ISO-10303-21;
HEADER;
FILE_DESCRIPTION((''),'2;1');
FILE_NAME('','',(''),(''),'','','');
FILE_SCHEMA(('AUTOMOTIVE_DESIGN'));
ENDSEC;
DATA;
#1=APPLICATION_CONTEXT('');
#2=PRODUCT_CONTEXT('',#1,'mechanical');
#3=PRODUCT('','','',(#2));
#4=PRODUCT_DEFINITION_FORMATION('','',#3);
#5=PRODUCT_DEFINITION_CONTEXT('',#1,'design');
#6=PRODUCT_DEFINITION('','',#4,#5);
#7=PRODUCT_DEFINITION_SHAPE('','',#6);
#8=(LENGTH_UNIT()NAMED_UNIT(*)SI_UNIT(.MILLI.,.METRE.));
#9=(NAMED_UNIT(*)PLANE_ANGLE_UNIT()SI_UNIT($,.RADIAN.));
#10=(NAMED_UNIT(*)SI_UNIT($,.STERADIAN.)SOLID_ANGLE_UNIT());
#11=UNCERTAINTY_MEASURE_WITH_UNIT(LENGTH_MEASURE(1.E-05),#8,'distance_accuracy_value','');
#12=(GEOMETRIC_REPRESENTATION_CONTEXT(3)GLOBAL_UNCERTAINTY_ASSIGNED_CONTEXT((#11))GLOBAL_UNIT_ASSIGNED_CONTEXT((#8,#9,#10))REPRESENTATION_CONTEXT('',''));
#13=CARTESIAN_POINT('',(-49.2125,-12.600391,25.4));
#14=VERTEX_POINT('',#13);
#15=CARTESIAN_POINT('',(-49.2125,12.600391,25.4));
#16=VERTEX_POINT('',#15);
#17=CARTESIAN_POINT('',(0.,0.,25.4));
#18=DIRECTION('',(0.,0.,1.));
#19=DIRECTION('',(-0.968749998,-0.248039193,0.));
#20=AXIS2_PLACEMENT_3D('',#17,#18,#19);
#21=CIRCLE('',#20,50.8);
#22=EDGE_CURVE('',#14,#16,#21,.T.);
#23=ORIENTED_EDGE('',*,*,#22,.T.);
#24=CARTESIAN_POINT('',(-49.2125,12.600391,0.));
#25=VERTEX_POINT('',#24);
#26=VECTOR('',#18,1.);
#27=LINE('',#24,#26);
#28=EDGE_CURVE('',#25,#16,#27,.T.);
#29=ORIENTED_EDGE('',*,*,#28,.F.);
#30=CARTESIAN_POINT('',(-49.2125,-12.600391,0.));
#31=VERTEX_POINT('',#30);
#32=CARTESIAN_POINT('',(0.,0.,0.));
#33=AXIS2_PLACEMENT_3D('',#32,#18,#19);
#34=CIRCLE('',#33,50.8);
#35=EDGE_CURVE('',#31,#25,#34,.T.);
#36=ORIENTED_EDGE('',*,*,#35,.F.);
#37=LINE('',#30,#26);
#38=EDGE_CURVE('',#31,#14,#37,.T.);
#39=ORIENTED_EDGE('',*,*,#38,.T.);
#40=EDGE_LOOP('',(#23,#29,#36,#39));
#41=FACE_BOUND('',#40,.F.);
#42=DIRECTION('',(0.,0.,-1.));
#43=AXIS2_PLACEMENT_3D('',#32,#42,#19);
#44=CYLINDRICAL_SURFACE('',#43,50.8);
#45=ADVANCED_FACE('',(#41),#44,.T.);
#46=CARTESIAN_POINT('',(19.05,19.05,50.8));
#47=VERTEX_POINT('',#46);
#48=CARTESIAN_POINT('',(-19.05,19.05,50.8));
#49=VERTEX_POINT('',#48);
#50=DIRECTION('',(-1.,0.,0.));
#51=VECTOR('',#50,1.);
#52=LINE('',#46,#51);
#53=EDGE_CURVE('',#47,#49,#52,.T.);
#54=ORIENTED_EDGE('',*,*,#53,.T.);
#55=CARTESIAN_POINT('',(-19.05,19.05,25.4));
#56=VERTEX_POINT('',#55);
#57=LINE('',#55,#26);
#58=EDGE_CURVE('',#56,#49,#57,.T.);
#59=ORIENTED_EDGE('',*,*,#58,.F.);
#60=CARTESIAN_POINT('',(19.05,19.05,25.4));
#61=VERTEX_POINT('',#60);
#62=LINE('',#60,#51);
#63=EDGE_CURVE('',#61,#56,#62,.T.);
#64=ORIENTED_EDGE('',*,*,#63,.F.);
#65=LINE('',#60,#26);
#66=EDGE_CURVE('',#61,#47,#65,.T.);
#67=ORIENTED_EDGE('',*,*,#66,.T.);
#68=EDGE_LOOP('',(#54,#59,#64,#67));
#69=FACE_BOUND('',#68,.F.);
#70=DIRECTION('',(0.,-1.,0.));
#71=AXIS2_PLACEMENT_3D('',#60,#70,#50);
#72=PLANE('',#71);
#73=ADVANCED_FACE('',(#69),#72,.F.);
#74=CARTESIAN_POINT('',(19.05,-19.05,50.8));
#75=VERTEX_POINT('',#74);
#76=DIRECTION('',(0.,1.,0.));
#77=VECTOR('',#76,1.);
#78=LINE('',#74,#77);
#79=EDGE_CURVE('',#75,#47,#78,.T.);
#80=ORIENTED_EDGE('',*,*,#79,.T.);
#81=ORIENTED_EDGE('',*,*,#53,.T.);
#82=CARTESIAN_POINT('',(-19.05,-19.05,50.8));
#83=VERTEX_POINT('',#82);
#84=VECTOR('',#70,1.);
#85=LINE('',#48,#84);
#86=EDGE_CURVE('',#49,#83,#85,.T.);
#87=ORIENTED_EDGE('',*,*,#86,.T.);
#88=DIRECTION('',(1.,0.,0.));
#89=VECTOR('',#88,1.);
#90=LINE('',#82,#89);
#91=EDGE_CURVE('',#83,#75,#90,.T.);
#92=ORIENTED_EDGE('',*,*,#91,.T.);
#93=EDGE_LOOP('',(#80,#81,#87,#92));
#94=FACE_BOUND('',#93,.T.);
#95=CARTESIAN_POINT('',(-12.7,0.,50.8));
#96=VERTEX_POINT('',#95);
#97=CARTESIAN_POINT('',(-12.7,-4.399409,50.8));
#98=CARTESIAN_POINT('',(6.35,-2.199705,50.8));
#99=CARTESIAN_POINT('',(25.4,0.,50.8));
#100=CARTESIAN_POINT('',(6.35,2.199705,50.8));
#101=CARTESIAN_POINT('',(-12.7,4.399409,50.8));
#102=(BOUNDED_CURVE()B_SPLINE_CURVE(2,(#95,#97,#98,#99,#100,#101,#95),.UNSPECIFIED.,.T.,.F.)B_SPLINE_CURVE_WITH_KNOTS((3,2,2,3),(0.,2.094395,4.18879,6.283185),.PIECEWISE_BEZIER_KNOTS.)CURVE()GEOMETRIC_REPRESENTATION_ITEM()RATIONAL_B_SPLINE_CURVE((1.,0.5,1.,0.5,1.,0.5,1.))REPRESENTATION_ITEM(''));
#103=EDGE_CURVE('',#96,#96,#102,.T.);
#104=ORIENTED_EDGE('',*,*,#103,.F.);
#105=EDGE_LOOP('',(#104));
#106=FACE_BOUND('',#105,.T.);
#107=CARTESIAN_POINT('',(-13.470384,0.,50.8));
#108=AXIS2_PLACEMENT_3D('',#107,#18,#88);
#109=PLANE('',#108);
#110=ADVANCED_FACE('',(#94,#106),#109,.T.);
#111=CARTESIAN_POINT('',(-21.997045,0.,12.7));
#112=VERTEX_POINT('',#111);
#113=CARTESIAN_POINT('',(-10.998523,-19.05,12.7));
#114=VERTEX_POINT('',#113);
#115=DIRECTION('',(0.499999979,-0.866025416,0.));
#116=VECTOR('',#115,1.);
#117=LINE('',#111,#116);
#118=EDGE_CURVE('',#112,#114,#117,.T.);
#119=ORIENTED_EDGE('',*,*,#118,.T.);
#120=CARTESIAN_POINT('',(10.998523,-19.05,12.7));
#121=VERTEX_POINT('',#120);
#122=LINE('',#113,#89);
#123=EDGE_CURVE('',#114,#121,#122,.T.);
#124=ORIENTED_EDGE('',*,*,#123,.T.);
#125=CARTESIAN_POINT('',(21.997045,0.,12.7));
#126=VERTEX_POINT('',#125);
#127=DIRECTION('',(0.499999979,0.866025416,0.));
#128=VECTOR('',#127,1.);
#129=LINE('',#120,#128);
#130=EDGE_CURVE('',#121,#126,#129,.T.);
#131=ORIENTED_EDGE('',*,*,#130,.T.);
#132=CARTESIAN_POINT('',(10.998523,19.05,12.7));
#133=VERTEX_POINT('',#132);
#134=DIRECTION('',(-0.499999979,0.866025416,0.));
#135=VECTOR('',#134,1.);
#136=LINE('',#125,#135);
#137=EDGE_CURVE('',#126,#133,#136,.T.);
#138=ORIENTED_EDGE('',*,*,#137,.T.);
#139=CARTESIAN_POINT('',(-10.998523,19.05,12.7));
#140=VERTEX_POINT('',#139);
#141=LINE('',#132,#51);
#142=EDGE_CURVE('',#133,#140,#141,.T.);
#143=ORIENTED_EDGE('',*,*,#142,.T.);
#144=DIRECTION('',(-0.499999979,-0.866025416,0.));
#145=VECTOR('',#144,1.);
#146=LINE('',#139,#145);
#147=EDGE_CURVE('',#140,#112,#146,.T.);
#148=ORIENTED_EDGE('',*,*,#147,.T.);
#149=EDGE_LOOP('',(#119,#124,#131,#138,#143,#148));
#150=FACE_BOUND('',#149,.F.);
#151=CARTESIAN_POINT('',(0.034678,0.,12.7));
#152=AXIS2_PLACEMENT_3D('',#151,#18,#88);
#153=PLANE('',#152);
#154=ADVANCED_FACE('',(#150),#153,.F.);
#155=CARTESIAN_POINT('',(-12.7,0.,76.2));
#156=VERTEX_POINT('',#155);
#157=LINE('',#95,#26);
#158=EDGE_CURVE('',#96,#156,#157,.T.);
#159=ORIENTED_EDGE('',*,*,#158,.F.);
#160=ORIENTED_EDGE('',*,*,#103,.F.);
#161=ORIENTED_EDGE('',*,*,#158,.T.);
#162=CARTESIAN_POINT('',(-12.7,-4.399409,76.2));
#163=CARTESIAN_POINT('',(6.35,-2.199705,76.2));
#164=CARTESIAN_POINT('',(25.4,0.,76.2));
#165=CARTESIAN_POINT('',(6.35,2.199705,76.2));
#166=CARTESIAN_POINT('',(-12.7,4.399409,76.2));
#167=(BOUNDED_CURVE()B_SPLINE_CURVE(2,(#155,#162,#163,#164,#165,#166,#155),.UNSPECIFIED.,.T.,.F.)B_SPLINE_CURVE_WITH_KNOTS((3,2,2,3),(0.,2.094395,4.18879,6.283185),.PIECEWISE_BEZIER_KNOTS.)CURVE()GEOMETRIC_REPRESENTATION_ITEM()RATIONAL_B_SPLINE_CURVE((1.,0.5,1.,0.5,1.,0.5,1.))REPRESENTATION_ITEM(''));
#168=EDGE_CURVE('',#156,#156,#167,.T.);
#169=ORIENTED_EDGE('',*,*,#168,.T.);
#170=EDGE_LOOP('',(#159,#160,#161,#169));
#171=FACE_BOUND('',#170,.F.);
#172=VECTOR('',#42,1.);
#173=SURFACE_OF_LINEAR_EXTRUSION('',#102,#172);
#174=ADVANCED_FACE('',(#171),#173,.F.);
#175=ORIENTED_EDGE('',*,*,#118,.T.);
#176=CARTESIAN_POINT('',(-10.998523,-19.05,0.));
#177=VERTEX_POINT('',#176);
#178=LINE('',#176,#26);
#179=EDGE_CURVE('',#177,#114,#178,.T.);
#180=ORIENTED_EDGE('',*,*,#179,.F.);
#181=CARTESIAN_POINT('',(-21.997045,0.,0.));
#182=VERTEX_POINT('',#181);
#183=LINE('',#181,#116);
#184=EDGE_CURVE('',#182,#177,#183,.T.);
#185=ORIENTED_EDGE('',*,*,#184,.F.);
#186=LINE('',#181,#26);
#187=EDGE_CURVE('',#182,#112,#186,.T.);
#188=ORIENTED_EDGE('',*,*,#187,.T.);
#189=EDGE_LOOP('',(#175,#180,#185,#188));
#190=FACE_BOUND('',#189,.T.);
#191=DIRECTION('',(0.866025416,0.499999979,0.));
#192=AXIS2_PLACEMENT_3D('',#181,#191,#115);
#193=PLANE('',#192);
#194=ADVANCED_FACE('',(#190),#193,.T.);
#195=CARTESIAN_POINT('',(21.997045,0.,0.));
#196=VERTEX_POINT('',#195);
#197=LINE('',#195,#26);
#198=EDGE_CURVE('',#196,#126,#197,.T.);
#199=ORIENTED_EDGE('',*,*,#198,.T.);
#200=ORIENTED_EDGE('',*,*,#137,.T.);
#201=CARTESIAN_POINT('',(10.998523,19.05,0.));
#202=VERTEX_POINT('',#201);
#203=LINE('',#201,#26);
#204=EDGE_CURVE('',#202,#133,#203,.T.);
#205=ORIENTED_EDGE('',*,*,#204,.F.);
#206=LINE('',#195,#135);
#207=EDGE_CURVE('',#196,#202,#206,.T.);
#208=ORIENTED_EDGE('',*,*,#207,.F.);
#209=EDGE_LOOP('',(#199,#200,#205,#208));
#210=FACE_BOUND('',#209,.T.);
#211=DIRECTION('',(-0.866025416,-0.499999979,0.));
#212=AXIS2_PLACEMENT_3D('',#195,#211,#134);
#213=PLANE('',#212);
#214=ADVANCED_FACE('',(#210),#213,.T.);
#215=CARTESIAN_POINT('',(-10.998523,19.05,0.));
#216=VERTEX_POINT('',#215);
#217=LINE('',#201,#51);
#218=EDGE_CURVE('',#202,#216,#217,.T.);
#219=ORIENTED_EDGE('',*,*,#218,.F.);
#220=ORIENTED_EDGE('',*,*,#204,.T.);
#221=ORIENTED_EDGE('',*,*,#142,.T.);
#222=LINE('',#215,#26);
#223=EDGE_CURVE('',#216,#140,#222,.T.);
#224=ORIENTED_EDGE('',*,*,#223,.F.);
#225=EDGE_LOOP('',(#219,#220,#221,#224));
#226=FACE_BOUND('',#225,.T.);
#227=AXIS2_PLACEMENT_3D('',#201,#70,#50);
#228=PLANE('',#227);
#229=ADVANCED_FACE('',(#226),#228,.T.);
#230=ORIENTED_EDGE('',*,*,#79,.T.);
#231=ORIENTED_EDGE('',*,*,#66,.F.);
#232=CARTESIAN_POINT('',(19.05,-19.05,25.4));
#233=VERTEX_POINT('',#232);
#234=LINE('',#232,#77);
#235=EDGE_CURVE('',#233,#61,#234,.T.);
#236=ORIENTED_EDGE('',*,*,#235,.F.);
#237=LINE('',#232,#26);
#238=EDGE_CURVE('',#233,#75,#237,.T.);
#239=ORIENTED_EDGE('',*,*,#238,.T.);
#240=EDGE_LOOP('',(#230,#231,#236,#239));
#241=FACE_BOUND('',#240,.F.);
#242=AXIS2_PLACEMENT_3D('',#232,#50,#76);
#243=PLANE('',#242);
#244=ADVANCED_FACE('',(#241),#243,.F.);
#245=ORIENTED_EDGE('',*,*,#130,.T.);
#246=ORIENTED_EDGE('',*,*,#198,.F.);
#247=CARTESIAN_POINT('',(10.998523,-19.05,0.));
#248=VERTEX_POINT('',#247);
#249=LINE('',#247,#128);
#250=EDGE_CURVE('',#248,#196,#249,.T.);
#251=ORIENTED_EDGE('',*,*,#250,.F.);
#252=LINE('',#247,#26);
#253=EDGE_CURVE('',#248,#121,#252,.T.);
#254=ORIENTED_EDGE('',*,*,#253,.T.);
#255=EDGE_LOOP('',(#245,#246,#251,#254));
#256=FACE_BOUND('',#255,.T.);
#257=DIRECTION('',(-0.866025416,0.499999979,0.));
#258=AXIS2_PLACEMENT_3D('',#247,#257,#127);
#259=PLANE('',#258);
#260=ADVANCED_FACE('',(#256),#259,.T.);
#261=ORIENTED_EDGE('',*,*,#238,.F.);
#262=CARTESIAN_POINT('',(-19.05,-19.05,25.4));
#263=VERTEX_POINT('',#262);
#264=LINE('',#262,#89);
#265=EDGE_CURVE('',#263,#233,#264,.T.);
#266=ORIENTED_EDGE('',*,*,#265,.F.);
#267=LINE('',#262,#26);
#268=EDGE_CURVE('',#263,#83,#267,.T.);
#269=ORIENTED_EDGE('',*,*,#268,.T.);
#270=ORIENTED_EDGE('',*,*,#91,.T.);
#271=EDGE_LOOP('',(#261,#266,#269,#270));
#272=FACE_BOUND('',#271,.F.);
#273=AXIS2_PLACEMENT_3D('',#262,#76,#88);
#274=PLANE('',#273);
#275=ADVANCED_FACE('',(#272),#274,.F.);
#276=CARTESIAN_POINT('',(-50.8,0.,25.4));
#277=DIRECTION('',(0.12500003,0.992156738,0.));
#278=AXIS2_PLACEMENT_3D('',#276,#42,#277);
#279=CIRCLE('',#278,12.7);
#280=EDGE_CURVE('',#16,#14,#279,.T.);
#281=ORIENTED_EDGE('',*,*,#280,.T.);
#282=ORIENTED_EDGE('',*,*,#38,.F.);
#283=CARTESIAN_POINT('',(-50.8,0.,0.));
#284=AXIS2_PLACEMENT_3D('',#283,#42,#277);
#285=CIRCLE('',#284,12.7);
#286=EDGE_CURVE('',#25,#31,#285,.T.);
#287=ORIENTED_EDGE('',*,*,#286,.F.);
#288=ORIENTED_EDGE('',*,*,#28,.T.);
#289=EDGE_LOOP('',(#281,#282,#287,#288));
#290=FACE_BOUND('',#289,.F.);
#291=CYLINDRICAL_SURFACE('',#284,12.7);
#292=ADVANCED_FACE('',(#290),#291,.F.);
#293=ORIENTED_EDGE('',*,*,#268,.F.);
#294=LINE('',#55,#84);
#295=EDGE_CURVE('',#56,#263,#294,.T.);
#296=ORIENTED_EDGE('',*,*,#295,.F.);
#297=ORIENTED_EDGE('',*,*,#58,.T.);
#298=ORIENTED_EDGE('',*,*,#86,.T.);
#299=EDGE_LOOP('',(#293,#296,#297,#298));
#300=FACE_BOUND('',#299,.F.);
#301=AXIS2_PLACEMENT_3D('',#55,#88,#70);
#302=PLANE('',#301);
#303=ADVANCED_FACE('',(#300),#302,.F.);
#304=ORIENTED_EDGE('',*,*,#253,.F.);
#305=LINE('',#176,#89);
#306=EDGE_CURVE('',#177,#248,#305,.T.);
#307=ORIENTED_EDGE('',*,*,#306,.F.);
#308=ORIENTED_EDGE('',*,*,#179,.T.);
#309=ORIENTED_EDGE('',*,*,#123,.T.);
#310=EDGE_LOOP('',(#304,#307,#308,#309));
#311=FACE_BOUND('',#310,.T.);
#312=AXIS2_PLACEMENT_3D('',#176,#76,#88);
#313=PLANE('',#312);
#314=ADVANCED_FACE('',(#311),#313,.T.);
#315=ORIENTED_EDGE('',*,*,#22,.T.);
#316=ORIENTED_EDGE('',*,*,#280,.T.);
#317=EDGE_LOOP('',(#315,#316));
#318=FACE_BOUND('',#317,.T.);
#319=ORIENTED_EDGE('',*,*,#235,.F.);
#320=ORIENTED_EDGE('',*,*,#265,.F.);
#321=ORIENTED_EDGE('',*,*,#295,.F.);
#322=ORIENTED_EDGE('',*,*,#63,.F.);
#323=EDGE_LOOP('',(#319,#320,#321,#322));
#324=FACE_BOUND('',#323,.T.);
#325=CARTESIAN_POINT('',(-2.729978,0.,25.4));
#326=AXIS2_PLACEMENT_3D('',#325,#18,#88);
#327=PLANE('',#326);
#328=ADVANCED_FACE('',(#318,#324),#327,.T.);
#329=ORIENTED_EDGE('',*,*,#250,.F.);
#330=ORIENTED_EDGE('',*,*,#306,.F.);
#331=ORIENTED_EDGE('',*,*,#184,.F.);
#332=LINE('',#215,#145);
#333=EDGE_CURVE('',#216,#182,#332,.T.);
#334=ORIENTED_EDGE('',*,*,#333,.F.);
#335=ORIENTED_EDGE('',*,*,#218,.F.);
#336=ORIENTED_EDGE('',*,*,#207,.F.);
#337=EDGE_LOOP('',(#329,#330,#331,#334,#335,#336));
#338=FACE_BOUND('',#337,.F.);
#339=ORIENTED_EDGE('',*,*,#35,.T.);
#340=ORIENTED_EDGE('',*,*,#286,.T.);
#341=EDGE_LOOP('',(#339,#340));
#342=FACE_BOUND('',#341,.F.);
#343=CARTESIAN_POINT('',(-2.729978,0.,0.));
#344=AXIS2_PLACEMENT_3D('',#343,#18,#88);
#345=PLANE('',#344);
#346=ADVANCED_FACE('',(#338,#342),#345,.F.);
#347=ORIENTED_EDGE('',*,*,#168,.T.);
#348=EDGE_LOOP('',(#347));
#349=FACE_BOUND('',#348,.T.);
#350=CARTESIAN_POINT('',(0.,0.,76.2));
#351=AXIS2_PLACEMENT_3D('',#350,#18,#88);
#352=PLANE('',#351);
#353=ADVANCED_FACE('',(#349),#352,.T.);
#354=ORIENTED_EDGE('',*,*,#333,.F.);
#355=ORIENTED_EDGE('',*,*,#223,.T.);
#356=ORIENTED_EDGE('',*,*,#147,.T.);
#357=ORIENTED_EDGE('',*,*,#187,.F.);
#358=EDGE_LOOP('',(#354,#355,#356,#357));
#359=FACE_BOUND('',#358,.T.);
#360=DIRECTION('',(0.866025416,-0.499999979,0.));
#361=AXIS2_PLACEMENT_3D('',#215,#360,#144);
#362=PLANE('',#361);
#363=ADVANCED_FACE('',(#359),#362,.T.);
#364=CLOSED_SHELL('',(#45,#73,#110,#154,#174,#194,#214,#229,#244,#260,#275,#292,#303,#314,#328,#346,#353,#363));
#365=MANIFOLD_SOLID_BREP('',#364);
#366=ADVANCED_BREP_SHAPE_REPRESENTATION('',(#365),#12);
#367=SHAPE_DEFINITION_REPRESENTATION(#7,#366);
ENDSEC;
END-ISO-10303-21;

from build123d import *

# Parameters (mm, degrees)
F1_DEPTH = 25.4
F3_DEPTH = 25.4
F5_DEPTH = 25.4
F7_DEPTH = 12.7


with BuildPart() as f1:
    # F0 (on Top) → F1 (new body)
    with BuildSketch(Plane.XY):
        with BuildLine():
            ThreePointArc((-49.2125, 12.600391), (-38.1, 0), (-49.2125, -12.600391))
            ThreePointArc((-49.2125, -12.600391), (50.8, 0), (-49.2125, 12.600391))
        make_face()
    extrude(amount=F1_DEPTH)

    # F2 (on face) → F3 (join)
    with BuildSketch(Plane.XY.offset(25.4)):
        Polygon((0, 0), (-19.05, 19.05), (-19.05, -19.05), align=None)
        Polygon((19.05, 19.05), (-19.05, 19.05), (0, 0), align=None)
        Polygon((19.05, -19.05), (19.05, 19.05), (0, 0), align=None)
        Polygon((0, 0), (-19.05, -19.05), (19.05, -19.05), align=None)
    extrude(amount=F3_DEPTH)

    # F4 (on face) → F5 (join)
    with BuildSketch(Plane.XY.offset(50.8)):
        with BuildLine():
            add(Edge.make_bspline(
                [(-12.7, 0), (-12.7, -4.399409), (6.35, -2.199705), (25.4, 0), (6.35, 2.199705), (-12.7, 4.399409), (-12.7, 0)],
                knots=[0, 0, 0, 2.094395, 2.094395, 4.18879, 4.18879, 6.283185, 6.283185, 6.283185], degree=2, weights=[1, 0.5, 1, 0.5, 1, 0.5, 1]))
        make_face()
    extrude(amount=F5_DEPTH)

    # F6 (on Top) → F7 (cut)
    with BuildSketch(Plane.XY):
        with BuildLine():
            ThreePointArc((16.497784, -9.525), (18.400887, -4.930503), (19.05, 0))
            ThreePointArc((19.05, 0), (18.400887, 4.930503), (16.497784, 9.525))
            ThreePointArc((16.497784, 9.525), (9.525, 16.497784), (0, 19.05))
            ThreePointArc((0, 19.05), (-9.525, 16.497784), (-16.497784, 9.525))
            ThreePointArc((-16.497784, 9.525), (-19.05, 0), (-16.497784, -9.525))
            ThreePointArc((-16.497784, -9.525), (-9.525, -16.497784), (0, -19.05))
            ThreePointArc((0, -19.05), (9.525, -16.497784), (16.497784, -9.525))
        make_face()
        with BuildLine():
            ThreePointArc((16.497784, 9.525), (18.400887, 4.930503), (19.05, 0))
            ThreePointArc((19.05, 0), (18.400887, -4.930503), (16.497784, -9.525))
            Line((16.497784, -9.525), (21.997045, 0))
            Line((21.997045, 0), (16.497784, 9.525))
        make_face()
        with BuildLine():
            ThreePointArc((0, 19.05), (9.525, 16.497784), (16.497784, 9.525))
            Line((16.497784, 9.525), (10.998523, 19.05))
            Line((10.998523, 19.05), (0, 19.05))
        make_face()
        with BuildLine():
            Line((10.998523, -19.05), (16.497784, -9.525))
            ThreePointArc((16.497784, -9.525), (9.525, -16.497784), (0, -19.05))
            Line((0, -19.05), (10.998523, -19.05))
        make_face()
        with BuildLine():
            ThreePointArc((-16.497784, 9.525), (-9.525, 16.497784), (0, 19.05))
            Line((0, 19.05), (-10.998523, 19.05))
            Line((-10.998523, 19.05), (-16.497784, 9.525))
        make_face()
        with BuildLine():
            Line((-10.998523, -19.05), (0, -19.05))
            ThreePointArc((0, -19.05), (-9.525, -16.497784), (-16.497784, -9.525))
            Line((-16.497784, -9.525), (-10.998523, -19.05))
        make_face()
        with BuildLine():
            ThreePointArc((-16.497784, -9.525), (-19.05, 0), (-16.497784, 9.525))
            Line((-16.497784, 9.525), (-21.997045, 0))
            Line((-21.997045, 0), (-16.497784, -9.525))
        make_face()
    extrude(amount=F7_DEPTH, mode=Mode.SUBTRACT)


solid = f1.part
